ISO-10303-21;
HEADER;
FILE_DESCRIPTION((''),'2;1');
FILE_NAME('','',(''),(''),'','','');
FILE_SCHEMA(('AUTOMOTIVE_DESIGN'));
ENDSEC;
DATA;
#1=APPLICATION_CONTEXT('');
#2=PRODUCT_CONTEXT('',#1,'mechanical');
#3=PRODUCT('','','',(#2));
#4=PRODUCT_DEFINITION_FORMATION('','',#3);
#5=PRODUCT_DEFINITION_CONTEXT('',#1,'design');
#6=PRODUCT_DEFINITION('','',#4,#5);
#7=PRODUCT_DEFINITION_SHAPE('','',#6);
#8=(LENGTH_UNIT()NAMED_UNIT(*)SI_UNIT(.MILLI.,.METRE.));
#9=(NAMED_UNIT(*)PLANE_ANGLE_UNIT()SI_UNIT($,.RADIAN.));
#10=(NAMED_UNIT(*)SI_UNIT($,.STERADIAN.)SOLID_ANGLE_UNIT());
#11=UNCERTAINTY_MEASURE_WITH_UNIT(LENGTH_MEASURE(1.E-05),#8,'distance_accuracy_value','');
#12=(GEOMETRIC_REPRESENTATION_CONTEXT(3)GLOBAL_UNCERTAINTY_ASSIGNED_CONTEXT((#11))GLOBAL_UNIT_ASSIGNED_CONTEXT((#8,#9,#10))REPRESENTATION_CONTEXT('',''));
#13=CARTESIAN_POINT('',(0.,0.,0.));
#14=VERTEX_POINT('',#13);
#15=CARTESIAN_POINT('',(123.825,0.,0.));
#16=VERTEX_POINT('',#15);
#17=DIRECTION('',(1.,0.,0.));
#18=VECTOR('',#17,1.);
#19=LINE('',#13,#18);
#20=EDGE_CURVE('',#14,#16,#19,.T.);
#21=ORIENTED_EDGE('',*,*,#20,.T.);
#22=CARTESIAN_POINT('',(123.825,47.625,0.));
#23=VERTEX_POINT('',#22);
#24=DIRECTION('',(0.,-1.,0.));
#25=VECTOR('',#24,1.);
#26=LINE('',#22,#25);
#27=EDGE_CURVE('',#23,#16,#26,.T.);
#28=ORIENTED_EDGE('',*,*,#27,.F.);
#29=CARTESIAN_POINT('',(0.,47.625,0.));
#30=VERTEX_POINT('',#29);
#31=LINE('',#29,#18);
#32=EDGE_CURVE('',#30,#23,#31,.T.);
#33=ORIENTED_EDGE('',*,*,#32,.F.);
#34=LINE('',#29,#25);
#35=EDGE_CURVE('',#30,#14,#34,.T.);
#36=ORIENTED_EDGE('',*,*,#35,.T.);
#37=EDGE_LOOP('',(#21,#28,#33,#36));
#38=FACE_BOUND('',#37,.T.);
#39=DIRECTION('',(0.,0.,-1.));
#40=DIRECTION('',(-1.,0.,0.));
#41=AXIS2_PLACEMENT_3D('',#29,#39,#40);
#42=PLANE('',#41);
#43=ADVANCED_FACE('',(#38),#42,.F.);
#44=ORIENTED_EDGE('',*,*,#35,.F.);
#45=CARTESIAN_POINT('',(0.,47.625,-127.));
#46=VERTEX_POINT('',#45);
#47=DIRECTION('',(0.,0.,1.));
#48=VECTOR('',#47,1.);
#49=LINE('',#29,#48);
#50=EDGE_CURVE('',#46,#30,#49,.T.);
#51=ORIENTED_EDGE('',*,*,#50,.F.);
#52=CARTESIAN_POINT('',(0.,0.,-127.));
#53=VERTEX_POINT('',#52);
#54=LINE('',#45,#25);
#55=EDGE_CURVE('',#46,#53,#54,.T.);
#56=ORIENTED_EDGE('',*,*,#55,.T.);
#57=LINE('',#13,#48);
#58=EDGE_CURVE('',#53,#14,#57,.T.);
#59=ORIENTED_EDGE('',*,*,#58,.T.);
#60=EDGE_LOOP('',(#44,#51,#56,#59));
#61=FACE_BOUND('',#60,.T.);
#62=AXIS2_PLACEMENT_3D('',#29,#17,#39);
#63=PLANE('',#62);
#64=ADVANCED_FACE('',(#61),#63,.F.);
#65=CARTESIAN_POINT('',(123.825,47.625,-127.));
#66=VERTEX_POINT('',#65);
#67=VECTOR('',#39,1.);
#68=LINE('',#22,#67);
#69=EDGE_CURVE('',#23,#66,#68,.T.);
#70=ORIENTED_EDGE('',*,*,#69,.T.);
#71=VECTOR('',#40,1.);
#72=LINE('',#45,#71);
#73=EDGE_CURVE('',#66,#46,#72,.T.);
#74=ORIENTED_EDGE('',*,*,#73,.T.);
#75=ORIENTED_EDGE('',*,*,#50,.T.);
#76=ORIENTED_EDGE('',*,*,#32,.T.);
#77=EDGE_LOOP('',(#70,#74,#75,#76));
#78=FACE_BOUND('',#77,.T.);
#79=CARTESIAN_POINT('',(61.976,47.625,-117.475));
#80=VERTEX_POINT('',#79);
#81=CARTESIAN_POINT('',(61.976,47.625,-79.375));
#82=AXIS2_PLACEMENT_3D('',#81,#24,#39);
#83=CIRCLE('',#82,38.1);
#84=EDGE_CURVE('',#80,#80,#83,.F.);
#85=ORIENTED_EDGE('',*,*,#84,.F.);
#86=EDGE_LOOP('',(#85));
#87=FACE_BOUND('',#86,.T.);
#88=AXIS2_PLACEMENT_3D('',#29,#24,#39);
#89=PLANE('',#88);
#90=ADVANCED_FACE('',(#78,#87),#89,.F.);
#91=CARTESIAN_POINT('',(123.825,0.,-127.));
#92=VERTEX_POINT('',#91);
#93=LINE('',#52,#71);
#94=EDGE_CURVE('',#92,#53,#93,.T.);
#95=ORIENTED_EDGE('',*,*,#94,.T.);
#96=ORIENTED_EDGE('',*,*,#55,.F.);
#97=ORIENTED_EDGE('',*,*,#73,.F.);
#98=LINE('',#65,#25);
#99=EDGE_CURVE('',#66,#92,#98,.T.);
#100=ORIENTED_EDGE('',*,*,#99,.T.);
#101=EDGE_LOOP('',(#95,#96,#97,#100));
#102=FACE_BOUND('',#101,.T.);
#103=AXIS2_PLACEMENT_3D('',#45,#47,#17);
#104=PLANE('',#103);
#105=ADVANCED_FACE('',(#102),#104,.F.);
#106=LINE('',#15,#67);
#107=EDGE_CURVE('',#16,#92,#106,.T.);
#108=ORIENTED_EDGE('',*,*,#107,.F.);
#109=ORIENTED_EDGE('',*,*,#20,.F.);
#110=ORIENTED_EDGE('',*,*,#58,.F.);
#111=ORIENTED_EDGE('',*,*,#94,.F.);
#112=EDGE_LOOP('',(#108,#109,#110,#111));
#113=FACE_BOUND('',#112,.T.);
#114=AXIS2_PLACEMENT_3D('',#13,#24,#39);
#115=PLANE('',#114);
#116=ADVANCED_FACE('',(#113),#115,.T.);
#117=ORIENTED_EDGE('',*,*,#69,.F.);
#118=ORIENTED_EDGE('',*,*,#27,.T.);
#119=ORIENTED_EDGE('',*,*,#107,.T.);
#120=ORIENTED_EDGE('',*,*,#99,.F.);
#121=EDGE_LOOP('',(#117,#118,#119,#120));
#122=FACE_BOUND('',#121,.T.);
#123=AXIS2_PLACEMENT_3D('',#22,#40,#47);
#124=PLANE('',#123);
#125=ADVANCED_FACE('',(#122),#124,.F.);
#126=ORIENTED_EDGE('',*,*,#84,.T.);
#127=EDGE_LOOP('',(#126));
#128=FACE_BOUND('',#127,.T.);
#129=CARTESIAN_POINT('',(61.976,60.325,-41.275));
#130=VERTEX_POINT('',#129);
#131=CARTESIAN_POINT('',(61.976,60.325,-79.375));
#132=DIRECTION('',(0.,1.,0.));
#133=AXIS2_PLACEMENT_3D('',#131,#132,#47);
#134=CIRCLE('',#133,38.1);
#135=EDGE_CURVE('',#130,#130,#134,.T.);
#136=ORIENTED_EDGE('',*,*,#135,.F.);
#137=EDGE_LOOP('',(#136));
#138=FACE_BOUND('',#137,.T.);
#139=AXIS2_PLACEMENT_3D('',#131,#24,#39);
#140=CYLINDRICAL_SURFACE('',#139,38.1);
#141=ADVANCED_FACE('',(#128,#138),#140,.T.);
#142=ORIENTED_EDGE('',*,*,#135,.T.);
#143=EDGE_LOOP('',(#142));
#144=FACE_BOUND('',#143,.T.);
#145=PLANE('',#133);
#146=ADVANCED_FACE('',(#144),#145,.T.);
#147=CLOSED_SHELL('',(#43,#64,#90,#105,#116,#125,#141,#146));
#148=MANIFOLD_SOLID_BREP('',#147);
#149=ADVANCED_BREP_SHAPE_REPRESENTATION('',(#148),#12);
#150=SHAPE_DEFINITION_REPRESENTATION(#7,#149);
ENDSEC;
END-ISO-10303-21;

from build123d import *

# Parameters (mm, degrees)
SKETCH1_W           = 123.825
SKETCH1_H           = 127
BOSS_EXTRUDE1_DEPTH = 47.625
SKETCH2_R           = 38.1
BOSS_EXTRUDE2_DEPTH = 12.7


with BuildPart() as part:
    # Sketch1 → Boss-Extrude1 (new body)
    with BuildSketch(Plane(origin=(0, 0, 0), x_dir=(1, 0, 0), z_dir=(0, 1, 0))):
        with Locations((61.9125, 63.5)):
            Rectangle(SKETCH1_W, SKETCH1_H)
    extrude(amount=BOSS_EXTRUDE1_DEPTH)

    # Sketch2 → Boss-Extrude2 (add)
    with BuildSketch(Plane(origin=(0, 47.625, 0), x_dir=(1, 0, 0), z_dir=(0, 1, 0))):
        with Locations(Location((61.976, 79.375, 0), (0, 0, 90))):
            Circle(SKETCH2_R)
    extrude(amount=BOSS_EXTRUDE2_DEPTH)


solid = part.part
